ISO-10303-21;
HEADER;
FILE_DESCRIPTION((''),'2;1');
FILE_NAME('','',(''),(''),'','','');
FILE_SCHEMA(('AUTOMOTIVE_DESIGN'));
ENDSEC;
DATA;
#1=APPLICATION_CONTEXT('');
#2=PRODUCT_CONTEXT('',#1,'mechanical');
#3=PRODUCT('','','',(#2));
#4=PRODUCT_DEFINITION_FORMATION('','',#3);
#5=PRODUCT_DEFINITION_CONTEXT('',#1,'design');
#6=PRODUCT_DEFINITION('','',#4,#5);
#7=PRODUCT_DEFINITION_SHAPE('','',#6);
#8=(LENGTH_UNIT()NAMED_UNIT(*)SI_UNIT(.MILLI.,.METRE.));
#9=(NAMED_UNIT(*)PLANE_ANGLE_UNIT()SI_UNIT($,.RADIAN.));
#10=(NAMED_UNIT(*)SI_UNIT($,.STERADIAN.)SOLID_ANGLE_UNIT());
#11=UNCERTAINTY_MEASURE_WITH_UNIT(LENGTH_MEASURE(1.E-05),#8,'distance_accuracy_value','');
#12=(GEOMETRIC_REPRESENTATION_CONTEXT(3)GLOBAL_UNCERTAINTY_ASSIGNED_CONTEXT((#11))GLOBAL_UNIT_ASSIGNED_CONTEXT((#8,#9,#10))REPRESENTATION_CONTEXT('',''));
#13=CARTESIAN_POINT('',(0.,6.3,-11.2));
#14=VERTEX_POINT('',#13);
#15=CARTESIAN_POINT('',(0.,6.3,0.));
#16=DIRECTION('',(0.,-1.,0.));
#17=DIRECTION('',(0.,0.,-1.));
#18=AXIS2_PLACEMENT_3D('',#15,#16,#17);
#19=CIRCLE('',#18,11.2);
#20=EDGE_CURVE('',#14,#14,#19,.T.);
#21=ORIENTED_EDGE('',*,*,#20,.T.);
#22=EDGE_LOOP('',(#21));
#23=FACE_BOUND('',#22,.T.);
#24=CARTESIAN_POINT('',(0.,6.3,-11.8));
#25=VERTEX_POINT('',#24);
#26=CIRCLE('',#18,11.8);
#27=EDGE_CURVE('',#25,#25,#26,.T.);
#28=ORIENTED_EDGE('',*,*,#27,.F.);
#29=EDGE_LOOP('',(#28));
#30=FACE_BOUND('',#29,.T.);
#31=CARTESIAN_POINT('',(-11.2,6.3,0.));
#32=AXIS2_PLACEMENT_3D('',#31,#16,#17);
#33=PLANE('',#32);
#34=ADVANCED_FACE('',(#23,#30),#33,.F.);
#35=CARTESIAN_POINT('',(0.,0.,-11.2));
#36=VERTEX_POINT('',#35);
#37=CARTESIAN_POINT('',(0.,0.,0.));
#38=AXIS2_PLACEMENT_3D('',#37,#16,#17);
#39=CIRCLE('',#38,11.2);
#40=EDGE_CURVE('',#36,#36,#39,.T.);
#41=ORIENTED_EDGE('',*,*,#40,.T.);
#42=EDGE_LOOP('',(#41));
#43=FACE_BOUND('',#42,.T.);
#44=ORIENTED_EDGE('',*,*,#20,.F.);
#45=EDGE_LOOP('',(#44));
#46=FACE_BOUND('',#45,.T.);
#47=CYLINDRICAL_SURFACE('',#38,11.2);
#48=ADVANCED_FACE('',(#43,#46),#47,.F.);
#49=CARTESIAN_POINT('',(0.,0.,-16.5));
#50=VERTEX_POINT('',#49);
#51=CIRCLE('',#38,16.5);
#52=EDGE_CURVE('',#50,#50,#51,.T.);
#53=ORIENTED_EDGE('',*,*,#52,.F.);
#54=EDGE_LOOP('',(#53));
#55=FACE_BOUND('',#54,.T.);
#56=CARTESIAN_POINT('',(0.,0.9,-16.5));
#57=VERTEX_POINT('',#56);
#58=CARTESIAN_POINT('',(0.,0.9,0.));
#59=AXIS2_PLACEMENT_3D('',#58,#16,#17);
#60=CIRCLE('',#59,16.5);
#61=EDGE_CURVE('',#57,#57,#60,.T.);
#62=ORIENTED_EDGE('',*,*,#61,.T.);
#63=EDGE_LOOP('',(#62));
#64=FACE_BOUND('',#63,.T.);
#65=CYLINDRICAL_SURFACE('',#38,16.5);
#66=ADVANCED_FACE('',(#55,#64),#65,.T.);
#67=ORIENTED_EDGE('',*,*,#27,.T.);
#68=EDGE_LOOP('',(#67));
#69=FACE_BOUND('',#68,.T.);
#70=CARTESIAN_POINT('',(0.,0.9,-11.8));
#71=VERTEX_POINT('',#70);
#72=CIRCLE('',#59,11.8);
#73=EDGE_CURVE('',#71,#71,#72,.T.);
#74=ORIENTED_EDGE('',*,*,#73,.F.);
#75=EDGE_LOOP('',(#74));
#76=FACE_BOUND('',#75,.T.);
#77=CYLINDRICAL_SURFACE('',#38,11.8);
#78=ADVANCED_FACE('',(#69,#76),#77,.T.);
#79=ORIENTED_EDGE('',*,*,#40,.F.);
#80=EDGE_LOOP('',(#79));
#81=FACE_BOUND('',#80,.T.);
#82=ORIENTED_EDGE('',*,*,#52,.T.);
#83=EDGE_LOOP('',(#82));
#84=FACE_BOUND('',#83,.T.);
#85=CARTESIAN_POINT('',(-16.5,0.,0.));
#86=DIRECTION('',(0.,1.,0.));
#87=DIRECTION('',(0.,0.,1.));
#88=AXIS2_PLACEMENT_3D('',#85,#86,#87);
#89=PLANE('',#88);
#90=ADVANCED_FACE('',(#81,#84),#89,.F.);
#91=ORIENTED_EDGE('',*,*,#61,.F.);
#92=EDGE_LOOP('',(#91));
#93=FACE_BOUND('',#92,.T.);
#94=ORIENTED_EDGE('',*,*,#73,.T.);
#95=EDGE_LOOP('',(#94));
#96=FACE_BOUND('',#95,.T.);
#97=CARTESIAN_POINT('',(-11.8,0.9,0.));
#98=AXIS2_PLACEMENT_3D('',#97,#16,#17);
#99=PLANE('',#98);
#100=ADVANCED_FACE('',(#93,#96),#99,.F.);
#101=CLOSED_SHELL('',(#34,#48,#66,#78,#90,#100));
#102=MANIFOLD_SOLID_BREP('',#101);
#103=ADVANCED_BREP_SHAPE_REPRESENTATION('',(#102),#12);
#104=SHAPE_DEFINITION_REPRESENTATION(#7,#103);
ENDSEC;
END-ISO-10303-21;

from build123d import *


with BuildPart() as part:
    # Esquisse1 → Révolution1 (revolve)
    with BuildSketch(Plane.XY, mode=Mode.PRIVATE) as r_volution1_sk:
        Polygon((-16.5, 0), (-11.2, 0), (-11.2, 6.3), (-11.8, 6.3), (-11.8, 0.9), (-16.5, 0.9), align=None)
    revolve(r_volution1_sk.sketch.rotate(Axis((0, 0, 0), (0, 1, 0)), 270), axis=Axis((0, 0, 0), (0, 1, 0)))


solid = part.part
